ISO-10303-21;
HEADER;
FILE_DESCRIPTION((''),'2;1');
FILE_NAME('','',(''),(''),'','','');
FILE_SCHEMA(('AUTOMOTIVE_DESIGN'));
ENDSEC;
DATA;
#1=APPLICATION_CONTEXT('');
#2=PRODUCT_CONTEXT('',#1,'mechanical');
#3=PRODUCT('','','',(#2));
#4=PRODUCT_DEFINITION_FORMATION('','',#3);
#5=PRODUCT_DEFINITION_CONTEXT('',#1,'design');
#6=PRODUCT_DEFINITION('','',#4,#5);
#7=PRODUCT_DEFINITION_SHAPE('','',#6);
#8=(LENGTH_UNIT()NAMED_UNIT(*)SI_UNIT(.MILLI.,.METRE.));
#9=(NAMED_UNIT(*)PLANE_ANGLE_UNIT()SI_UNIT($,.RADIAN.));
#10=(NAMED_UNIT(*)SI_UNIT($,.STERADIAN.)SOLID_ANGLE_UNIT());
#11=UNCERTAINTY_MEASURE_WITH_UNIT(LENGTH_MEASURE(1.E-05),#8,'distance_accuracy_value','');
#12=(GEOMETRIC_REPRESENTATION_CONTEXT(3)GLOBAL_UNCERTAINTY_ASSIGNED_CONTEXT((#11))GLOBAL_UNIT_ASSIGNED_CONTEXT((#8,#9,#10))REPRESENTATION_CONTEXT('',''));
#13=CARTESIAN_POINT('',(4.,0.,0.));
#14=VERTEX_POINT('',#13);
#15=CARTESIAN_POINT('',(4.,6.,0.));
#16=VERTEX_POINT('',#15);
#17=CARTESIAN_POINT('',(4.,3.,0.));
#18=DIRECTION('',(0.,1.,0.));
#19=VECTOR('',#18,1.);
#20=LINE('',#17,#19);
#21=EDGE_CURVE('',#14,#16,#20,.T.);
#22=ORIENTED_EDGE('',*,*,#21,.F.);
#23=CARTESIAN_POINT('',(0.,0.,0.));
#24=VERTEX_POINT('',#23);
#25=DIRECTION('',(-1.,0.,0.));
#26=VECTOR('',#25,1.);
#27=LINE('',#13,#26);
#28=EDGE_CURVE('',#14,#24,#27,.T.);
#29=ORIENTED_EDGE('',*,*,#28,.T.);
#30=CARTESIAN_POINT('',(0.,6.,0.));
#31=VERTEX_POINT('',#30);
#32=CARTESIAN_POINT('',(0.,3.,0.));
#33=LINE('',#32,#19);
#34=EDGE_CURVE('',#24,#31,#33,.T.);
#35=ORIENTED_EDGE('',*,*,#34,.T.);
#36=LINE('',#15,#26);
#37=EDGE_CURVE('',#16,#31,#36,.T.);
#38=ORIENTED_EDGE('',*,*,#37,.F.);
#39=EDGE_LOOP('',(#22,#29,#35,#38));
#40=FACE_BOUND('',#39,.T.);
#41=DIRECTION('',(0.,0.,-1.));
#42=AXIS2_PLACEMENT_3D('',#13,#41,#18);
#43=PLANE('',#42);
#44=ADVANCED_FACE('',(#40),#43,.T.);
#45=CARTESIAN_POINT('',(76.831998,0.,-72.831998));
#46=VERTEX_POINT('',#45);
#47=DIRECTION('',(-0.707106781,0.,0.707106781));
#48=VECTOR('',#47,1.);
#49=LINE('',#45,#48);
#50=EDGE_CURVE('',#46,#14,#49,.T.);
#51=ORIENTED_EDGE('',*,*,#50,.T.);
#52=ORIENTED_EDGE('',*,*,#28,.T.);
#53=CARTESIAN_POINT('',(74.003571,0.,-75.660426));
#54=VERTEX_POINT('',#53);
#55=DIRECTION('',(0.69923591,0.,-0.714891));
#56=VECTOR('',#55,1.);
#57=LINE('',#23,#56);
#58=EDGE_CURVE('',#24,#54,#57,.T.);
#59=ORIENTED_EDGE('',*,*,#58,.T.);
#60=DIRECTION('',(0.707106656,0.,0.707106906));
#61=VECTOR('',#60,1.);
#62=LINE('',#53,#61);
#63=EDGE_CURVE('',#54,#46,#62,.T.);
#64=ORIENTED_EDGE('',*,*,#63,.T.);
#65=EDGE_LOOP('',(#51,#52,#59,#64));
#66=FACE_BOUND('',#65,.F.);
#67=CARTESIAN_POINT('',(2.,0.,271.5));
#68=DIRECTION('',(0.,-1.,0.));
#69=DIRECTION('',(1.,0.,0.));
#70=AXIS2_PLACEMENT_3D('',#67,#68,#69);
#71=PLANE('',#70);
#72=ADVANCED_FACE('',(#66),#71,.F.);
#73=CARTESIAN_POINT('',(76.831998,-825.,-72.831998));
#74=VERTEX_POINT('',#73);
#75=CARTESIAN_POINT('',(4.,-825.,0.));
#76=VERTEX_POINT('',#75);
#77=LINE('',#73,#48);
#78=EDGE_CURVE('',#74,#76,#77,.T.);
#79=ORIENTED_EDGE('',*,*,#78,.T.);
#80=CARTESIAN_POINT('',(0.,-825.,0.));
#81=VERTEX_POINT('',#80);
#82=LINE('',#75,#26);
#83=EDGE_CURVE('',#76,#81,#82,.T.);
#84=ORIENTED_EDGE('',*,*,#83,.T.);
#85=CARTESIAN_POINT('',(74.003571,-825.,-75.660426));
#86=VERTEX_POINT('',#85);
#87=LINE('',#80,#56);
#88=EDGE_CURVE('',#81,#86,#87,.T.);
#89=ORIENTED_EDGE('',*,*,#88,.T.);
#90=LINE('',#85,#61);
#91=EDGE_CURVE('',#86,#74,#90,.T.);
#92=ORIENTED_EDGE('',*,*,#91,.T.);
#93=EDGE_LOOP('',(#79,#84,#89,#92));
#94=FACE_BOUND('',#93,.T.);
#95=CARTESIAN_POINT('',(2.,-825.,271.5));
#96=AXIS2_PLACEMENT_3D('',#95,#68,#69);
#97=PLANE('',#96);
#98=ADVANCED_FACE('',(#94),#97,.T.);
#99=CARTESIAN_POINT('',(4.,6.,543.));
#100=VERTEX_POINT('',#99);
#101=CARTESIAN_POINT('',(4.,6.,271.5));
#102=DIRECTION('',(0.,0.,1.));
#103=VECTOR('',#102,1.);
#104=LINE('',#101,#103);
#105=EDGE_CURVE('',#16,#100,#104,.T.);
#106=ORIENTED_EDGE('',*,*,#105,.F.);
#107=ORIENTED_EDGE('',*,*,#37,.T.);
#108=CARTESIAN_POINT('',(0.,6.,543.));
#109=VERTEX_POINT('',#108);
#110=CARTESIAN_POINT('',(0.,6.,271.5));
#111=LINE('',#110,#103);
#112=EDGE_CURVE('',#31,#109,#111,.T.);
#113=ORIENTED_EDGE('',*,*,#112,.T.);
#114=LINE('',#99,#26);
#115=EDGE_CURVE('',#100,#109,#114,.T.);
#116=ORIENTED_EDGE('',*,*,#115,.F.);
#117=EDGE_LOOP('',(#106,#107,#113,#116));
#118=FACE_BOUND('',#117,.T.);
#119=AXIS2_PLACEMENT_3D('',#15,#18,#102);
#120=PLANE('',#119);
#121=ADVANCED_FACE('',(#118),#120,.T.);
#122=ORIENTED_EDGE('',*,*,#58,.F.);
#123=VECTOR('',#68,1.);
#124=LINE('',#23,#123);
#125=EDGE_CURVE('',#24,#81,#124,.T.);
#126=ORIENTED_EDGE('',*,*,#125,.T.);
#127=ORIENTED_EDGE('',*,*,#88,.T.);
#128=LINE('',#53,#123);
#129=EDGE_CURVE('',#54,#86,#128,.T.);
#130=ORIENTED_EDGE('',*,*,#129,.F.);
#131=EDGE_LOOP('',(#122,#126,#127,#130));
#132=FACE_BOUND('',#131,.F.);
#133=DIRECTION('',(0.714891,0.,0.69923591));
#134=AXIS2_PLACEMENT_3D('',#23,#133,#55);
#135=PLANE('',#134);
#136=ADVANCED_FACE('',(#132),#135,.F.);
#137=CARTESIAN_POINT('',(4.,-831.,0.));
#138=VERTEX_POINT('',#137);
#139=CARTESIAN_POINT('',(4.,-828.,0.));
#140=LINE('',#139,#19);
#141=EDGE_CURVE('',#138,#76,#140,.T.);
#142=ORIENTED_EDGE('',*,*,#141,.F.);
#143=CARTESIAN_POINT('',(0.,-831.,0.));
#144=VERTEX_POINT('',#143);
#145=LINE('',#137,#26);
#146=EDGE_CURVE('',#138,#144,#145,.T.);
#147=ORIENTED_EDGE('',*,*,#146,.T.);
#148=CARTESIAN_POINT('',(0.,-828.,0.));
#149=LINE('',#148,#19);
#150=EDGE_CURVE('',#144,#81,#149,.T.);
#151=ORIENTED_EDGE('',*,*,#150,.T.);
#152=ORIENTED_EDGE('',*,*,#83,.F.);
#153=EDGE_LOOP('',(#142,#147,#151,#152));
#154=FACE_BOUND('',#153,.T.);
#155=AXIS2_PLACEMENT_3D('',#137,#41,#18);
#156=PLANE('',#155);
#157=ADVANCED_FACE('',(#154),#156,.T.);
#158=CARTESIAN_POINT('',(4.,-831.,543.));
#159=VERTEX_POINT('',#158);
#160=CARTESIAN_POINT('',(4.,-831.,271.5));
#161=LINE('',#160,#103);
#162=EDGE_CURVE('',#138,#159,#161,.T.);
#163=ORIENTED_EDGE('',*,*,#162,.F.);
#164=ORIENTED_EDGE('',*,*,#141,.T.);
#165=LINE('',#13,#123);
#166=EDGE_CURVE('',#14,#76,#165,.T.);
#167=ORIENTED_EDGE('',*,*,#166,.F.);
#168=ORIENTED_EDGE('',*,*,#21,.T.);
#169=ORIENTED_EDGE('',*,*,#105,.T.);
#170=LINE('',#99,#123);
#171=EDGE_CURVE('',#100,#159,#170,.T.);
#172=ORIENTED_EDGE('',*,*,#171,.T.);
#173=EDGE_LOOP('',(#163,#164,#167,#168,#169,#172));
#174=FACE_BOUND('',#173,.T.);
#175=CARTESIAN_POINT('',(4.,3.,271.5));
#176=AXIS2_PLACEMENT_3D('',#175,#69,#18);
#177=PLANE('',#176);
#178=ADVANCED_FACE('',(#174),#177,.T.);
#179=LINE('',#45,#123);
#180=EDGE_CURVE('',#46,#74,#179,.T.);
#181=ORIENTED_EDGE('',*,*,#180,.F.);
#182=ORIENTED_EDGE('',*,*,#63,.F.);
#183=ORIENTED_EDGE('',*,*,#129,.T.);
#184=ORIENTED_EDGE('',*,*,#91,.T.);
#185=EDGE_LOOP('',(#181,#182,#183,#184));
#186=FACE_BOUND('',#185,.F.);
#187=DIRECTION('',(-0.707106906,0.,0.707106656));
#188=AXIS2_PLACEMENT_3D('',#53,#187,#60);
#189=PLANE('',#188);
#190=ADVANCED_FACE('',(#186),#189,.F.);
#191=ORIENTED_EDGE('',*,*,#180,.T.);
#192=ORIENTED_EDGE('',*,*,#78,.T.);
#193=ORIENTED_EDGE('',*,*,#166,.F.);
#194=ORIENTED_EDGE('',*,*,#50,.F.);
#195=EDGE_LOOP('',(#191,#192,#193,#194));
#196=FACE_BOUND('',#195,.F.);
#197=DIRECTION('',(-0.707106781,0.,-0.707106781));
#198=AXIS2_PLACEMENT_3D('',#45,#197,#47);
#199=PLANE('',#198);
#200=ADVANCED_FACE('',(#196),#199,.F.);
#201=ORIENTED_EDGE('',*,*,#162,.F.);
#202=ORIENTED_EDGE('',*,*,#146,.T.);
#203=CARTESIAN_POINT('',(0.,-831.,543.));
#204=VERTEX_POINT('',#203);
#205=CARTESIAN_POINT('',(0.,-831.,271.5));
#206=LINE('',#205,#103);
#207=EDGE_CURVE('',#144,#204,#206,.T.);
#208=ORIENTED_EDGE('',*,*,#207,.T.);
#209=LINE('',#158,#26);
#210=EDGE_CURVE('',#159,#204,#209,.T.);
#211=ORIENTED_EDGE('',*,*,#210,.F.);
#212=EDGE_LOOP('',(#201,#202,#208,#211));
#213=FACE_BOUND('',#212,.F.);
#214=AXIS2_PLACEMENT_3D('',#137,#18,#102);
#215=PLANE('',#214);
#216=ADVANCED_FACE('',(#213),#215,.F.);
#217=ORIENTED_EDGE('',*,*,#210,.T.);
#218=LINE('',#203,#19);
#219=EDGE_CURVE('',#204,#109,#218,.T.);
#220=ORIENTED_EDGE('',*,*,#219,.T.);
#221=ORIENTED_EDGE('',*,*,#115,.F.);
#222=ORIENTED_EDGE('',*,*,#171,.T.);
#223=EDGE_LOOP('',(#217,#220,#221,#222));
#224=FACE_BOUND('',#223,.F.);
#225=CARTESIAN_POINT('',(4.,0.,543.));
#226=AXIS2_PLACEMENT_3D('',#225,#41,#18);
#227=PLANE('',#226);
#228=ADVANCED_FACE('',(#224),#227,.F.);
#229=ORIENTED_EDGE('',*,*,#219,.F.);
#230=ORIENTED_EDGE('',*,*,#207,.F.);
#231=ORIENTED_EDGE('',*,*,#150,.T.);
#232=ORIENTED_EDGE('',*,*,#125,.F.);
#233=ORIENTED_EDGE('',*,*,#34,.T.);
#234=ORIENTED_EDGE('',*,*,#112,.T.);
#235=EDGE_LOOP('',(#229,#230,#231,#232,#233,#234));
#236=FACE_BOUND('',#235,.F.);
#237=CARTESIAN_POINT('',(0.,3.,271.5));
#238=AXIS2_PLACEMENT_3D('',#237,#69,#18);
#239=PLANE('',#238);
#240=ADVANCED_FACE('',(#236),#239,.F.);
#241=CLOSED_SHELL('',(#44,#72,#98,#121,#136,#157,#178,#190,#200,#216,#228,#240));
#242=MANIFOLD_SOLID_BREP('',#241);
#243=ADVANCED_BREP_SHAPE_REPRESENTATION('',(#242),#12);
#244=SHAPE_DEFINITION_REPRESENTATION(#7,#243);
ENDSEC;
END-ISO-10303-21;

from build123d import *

# Parameters (mm, degrees)
F0_W     = 4
F0_H     = 543
F1_DEPTH = 825
F2_W     = 6
F2_H     = 543
F3_DEPTH = 4


with BuildPart() as f1:
    # F0 (on Front) → F1 (new body)
    with BuildSketch(Plane.XZ):
        with Locations((2, 271.5)):
            Rectangle(F0_W, F0_H)
        Polygon((4, 0), (0, 0), (74.003571, -75.660426), (76.831998, -72.831998), align=None)
    extrude(amount=F1_DEPTH)

    # F2 (on face) → F3 (join)
    with BuildSketch(Plane.YZ.offset(4)):
        with Locations((3, 271.5)):
            Rectangle(F2_W, F2_H)
        with Locations((-828, 271.5)):
            Rectangle(F2_W, F2_H)
    extrude(amount=-F3_DEPTH)


solid = f1.part
